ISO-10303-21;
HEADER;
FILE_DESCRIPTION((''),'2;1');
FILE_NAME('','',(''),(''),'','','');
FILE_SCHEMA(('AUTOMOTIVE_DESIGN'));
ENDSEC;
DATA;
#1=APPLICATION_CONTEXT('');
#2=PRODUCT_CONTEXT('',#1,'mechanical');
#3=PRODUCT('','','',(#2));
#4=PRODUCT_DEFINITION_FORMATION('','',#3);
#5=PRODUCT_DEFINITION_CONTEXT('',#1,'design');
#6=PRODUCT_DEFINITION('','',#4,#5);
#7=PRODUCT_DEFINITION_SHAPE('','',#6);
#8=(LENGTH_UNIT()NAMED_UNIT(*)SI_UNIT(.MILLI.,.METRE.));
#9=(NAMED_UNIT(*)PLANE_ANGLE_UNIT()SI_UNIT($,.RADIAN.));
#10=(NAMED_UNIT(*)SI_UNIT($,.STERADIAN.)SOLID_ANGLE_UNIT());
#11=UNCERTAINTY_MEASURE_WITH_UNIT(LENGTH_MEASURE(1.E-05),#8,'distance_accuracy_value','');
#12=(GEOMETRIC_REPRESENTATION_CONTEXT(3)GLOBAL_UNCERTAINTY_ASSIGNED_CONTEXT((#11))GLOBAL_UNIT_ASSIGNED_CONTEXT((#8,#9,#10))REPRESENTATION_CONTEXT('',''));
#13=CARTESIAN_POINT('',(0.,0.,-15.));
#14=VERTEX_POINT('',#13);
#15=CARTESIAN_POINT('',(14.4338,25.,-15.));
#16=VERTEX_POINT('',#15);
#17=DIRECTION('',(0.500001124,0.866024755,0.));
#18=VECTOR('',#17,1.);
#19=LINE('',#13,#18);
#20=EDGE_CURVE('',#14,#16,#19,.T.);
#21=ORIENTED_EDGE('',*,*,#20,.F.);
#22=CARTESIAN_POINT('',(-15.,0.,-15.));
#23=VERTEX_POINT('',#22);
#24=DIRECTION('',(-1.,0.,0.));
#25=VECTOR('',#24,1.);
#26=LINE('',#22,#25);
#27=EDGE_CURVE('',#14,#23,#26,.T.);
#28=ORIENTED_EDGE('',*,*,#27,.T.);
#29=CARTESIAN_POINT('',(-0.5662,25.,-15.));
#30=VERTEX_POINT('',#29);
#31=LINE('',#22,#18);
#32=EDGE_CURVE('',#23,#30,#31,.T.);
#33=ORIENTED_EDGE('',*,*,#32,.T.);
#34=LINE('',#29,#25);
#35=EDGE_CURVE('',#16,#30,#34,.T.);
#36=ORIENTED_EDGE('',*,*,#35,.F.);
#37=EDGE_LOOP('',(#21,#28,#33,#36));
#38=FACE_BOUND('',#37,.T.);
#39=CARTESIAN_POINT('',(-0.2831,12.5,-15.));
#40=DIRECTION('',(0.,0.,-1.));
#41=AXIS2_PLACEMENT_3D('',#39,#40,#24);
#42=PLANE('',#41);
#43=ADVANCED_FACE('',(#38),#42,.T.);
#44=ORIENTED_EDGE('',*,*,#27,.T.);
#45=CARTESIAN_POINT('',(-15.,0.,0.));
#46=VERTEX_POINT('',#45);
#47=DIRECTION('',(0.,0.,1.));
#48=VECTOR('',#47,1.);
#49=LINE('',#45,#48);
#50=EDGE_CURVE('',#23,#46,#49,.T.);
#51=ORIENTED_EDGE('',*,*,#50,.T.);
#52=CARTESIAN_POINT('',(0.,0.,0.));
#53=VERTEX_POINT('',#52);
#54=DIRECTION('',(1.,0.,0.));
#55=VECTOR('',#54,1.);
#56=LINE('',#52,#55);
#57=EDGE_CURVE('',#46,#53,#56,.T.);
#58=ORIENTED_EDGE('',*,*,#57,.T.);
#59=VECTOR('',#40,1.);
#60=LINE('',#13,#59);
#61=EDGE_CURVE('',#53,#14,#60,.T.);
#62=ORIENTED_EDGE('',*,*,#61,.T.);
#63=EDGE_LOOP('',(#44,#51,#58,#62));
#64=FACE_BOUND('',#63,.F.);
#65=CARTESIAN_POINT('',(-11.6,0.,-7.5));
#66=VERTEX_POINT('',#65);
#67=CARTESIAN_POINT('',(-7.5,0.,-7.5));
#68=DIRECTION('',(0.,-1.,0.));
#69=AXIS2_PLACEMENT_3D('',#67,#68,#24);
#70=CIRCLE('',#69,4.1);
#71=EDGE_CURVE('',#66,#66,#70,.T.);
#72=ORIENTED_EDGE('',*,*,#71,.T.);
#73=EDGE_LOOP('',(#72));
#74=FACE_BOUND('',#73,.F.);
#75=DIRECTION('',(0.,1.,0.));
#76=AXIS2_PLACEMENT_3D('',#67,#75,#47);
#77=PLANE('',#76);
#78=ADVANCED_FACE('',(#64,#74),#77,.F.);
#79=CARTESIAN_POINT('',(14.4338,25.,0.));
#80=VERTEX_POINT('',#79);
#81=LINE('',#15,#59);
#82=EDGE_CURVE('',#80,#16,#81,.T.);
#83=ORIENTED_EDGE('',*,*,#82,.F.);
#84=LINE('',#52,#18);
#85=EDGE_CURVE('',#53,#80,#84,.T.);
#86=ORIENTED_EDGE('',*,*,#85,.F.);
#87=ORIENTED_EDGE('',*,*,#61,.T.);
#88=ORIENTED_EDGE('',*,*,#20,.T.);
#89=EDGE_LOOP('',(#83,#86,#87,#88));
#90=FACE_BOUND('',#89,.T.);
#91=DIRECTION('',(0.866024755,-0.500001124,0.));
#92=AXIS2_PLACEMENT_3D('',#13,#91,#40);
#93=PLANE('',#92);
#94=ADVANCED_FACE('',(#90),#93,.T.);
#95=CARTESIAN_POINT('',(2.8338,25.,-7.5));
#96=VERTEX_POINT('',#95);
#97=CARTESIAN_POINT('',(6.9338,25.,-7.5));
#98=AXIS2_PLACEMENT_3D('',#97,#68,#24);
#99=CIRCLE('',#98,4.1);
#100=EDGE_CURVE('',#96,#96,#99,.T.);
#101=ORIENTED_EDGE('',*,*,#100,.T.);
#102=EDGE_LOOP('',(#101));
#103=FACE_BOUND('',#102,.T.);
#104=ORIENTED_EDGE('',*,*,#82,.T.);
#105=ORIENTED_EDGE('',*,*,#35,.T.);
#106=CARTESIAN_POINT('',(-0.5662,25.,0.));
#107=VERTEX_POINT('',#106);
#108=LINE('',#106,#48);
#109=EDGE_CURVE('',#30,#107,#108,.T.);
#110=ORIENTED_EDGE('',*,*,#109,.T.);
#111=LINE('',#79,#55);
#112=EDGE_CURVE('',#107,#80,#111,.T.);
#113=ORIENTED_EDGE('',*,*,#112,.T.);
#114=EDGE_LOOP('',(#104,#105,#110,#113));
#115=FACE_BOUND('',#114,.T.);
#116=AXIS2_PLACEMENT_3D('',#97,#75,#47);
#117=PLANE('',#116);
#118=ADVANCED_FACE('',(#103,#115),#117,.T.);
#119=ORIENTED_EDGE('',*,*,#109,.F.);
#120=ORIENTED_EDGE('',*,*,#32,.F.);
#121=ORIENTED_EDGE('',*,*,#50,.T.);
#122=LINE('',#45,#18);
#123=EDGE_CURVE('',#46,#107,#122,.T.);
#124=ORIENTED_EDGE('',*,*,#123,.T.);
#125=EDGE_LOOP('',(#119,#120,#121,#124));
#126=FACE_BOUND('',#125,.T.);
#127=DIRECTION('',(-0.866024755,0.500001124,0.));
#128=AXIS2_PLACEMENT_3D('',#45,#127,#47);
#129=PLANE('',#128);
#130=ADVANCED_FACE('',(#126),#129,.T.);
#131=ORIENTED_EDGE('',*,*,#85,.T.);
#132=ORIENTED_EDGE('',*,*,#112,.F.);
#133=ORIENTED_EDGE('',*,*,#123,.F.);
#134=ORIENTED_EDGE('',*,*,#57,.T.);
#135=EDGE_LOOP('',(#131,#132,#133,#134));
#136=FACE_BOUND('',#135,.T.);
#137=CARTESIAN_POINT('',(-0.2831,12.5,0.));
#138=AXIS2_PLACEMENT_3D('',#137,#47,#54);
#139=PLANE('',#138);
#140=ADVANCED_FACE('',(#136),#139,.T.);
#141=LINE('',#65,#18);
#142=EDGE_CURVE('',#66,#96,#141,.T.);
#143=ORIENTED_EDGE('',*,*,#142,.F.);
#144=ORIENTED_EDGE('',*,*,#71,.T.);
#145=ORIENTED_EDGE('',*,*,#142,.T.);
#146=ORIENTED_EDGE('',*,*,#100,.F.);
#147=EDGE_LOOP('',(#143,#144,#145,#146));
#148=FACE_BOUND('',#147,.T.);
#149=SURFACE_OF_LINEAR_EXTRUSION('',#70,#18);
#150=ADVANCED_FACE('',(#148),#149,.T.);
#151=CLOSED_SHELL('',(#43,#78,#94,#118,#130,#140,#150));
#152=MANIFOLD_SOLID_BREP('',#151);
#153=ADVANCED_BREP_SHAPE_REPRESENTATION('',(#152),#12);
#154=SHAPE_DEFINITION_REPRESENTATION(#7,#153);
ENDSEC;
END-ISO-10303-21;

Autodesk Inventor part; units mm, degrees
ref_plane "YZ Plane" through (0, 0, 0) normal (1, 0, 0) x (0, 1, 0)
ref_plane "XZ Plane" through (0, 0, 0) normal (0, 1, 0) x (-1, 0, 0)
ref_plane "XY Plane" through (0, 0, 0) normal (0, 0, 1) x (1, 0, 0)
sketch "Sketch1" plane through (0, 0, 0) normal (0, 1, 0) x (-1, 0, 0)
  line L0 (0, 0) -> (15, 0)
  line L1 (15, 0) -> (15, -15)
  line L2 (15, -15) -> (0, -15)
  line L3 (0, -15) -> (0, 0)
  circle A0 centre (7.5, -7.5) radius 4.1
  dimension "soporte_largo" = 15
  dimension "soporte_ancho" = 15
  dimension "soporte_hueco_diametro" = 8.2
  dimension "soporte_hueco_pos_ancho" = 7.5
  dimension "soporte_hueco_pos_largo" = 7.5
sketch "Sketch2" plane through (0, 0, 0) normal (0, 0, 1) x (1, 0, 0)
  line L0 (0, 0) -> (14.4338, 25)
  line L1 (0, 0) -> (28.8675, 0) construction
  dimension "soporte_inclinacion" = 60
  dimension "soporte_alterura" = 25
sweep "Sweep1" add profiles "Sketch1" path "Sketch2"
equation "\"soporte_hueco_pos_ancho\" = 0.5 * soporte_ancho"
equation "\"soporte_hueco_pos_largo\" = 0.5 * soporte_largo"
equation "\"tol1\" = 0.1"
equation "\"tol2\" = 0.2"
equation "\"tol3\" = 0.3"
equation "\"tol4\" = 0.4"
equation "\"tol5\" = 0.5"
equation "\"tol6\" = 0.6"
equation "\"tol7\" = 0.7"
equation "\"tol8\" = 0.8"
equation "\"tol9\" = 0.9"
equation "\"tol\" = 7"
properties part number "TestSoporte"
